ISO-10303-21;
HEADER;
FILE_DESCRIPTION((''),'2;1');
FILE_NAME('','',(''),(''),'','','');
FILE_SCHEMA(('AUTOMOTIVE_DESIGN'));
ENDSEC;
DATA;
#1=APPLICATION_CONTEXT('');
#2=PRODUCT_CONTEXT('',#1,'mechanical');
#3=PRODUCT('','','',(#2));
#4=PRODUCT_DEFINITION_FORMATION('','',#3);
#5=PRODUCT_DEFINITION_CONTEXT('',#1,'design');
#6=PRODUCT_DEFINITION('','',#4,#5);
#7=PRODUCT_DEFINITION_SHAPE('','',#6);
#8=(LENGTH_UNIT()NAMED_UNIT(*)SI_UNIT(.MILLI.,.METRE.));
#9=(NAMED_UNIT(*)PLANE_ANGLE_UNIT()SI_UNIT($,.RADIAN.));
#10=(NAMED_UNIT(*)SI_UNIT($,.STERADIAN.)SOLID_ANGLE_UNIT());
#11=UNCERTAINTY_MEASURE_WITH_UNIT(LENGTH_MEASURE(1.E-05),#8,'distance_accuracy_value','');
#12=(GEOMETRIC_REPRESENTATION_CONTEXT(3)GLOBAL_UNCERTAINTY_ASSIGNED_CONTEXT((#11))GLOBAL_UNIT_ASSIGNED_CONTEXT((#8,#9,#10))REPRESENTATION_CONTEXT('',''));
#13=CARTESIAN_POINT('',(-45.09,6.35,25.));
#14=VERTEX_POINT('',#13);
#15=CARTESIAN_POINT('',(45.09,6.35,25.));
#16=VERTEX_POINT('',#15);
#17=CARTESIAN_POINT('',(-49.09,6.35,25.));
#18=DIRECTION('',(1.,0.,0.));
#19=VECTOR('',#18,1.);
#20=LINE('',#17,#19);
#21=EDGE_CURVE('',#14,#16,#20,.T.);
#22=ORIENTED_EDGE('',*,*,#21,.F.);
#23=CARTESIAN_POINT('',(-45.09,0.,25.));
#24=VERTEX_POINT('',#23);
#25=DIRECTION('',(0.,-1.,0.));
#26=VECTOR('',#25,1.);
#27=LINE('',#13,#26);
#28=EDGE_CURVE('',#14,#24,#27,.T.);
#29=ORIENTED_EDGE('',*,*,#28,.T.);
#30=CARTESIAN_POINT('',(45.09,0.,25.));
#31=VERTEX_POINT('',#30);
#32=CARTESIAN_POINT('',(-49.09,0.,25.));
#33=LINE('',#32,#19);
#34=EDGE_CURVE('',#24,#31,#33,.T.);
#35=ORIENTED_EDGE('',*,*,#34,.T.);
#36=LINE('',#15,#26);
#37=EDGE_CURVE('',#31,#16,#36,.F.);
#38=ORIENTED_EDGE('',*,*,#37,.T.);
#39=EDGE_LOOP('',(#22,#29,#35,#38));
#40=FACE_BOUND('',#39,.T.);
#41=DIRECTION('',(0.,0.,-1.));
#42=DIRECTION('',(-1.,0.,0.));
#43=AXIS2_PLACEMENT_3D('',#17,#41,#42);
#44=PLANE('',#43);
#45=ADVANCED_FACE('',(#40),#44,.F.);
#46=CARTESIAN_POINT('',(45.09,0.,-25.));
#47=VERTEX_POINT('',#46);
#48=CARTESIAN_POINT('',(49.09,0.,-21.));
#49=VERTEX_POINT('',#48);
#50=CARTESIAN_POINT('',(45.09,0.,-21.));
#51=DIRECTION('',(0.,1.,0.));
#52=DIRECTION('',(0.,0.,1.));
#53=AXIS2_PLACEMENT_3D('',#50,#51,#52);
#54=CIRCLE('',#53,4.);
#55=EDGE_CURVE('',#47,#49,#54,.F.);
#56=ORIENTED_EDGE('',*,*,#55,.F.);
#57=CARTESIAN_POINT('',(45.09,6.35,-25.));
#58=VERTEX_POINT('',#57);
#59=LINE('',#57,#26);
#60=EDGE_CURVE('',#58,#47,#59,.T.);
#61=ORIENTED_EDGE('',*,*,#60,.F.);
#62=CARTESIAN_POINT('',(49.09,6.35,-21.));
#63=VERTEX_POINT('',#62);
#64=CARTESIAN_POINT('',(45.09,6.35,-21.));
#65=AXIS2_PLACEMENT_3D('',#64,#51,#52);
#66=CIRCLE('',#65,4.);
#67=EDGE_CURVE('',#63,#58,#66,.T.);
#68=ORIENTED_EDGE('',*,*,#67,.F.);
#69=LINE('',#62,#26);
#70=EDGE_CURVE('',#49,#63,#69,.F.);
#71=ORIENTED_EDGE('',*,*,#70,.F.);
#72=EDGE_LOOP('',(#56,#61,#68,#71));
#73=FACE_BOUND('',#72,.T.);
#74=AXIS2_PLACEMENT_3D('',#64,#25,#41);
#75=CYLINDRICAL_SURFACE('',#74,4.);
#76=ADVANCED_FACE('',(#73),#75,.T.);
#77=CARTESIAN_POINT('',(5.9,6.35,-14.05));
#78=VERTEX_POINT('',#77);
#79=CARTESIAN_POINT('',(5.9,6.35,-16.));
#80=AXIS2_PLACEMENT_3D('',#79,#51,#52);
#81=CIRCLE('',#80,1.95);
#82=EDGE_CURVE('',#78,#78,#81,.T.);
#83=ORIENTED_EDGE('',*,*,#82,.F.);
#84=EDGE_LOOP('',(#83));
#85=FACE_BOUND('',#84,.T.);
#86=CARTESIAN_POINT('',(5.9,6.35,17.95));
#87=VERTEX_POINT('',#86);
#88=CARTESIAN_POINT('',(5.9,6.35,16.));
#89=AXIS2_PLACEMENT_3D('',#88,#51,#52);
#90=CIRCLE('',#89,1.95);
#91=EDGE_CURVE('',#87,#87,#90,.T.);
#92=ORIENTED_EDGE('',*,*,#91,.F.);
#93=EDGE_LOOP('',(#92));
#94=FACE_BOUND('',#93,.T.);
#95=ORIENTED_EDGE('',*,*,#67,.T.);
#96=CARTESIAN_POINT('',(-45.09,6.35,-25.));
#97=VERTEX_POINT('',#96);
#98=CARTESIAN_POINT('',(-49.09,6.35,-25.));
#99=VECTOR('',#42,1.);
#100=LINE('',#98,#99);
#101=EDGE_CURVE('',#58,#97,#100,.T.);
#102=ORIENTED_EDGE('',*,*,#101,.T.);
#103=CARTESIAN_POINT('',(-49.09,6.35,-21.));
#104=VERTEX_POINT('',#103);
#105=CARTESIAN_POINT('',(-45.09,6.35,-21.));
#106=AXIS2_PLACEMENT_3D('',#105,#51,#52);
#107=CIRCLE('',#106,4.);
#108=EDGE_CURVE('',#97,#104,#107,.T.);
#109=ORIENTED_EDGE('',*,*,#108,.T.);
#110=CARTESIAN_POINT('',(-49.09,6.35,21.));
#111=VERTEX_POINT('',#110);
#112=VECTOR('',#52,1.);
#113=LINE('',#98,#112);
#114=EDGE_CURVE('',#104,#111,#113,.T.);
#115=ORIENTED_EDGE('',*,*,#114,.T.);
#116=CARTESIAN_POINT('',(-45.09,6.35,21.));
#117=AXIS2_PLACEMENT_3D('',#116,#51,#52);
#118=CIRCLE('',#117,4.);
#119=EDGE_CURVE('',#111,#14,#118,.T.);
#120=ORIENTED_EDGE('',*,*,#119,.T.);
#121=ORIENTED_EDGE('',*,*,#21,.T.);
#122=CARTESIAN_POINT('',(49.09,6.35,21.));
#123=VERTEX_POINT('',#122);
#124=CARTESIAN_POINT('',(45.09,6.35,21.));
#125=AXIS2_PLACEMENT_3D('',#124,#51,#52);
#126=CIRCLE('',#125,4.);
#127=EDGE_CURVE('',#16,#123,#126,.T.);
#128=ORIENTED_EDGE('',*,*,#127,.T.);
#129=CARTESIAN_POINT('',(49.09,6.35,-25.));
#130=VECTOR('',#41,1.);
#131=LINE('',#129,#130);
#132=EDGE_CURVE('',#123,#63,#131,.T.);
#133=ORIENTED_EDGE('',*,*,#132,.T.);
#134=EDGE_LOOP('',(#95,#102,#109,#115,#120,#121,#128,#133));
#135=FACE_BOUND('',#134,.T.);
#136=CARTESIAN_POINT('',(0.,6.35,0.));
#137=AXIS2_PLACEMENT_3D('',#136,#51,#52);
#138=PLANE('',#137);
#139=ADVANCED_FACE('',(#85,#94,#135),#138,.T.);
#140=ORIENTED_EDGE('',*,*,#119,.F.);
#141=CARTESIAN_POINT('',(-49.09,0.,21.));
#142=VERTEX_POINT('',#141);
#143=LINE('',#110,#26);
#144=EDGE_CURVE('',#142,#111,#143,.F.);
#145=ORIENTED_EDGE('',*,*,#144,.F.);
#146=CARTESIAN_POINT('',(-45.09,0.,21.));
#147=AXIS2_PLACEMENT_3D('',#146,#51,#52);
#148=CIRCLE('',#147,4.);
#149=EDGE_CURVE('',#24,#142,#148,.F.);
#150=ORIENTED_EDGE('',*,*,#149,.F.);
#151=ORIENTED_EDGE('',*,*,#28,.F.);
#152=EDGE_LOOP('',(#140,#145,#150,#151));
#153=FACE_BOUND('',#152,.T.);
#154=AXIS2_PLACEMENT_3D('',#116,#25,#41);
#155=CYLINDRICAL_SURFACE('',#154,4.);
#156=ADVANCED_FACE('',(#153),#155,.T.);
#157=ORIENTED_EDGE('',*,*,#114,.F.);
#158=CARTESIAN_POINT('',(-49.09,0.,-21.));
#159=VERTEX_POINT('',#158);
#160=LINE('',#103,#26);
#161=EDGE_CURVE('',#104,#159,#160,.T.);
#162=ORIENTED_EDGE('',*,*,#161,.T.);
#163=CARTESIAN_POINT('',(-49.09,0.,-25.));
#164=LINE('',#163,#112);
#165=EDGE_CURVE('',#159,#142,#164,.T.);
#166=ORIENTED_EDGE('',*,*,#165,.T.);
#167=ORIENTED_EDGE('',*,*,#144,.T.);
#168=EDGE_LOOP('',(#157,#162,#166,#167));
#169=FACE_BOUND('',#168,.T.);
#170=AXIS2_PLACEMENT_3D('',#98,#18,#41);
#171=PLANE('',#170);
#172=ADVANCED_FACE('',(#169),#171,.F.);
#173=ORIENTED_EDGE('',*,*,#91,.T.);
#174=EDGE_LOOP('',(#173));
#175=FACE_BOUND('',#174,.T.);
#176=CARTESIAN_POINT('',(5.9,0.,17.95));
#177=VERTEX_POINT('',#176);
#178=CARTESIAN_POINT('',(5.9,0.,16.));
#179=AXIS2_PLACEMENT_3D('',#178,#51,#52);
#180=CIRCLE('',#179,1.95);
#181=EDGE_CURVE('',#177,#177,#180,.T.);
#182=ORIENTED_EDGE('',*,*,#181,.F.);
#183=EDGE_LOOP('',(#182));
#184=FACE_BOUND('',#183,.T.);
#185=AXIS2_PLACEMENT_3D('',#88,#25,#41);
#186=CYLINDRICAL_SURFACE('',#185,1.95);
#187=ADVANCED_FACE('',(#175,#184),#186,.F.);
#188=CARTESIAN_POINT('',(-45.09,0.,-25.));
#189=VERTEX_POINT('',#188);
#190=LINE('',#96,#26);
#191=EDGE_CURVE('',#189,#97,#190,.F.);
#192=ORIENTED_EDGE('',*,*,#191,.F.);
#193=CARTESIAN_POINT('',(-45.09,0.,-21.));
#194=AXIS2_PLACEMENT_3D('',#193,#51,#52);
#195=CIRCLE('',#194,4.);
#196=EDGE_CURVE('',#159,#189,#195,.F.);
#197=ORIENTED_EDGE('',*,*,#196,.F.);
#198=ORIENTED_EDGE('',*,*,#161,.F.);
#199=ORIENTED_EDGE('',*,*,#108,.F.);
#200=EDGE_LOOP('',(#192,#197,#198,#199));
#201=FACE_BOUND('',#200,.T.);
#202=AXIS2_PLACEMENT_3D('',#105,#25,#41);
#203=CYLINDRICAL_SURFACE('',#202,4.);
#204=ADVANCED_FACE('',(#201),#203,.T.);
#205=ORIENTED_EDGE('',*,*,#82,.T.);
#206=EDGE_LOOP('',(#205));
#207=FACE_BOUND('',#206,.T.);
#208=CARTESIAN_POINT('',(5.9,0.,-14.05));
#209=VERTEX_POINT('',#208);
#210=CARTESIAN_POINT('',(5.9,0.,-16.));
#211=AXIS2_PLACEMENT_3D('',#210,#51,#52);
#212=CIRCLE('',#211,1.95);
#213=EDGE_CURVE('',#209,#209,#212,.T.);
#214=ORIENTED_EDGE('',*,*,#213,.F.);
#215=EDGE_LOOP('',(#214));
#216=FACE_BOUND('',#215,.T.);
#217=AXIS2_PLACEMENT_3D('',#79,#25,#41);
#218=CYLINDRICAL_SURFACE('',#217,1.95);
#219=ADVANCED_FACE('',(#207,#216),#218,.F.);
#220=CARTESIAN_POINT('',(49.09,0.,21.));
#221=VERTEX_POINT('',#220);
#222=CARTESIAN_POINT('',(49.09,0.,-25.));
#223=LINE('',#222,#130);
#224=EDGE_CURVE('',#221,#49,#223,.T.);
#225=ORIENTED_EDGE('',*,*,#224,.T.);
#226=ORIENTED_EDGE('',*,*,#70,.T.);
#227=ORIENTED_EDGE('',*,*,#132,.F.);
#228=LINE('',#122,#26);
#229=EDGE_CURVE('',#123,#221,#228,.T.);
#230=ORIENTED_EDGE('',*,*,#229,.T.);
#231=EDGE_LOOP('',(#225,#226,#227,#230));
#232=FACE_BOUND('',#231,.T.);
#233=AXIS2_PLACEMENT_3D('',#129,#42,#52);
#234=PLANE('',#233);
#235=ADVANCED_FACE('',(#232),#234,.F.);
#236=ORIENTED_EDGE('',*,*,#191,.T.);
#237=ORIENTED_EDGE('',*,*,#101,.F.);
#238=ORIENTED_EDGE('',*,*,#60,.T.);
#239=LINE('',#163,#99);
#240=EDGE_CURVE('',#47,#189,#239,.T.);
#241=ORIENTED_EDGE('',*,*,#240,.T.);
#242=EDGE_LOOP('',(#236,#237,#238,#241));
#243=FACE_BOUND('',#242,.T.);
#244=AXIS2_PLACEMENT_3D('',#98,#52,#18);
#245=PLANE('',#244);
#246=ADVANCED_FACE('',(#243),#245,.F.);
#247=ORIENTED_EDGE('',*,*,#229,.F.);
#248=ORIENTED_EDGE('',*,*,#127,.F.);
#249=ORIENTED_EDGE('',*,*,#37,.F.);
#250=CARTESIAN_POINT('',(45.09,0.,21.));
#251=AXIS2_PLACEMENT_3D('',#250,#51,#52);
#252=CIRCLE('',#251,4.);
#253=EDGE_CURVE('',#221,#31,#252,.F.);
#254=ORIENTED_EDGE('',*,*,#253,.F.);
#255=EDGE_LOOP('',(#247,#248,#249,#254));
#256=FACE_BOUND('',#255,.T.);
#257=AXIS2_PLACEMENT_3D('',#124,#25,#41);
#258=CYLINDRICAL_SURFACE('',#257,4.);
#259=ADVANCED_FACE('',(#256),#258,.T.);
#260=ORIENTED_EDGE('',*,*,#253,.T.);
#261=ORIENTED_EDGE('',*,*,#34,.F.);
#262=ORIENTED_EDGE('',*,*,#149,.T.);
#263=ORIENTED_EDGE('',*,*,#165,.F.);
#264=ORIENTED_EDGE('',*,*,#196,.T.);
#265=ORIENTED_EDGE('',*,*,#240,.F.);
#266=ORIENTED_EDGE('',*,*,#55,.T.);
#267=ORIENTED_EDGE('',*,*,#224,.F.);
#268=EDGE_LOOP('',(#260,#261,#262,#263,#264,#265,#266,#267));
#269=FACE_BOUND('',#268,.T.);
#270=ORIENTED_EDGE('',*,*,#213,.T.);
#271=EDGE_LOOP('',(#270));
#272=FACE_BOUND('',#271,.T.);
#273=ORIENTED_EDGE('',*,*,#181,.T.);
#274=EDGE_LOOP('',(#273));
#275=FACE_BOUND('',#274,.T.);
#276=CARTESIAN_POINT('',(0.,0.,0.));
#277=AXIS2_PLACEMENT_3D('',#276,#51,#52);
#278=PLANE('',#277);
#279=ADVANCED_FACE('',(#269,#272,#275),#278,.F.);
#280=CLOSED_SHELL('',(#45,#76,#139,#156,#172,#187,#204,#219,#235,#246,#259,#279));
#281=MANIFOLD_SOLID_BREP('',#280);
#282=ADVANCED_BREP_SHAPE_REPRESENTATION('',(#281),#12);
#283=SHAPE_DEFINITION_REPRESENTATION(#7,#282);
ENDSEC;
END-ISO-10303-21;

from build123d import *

# Parameters (mm, degrees)
SKETCH1_W           = 98.18
SKETCH1_H           = 50
SKETCH1_R           = 1.95
BOSS_EXTRUDE1_DEPTH = 6.35
FILLET1_R           = 4


with BuildPart() as part:
    # Sketch1 → Boss-Extrude1 (new body)
    with BuildSketch(Plane(origin=(0, 0, 0), x_dir=(1, 0, 0), z_dir=(0, 1, 0))):
        Rectangle(SKETCH1_W, SKETCH1_H)
        with Locations(Location((5.9, 16, 0), (0, 0, 270))):
            Circle(SKETCH1_R, mode=Mode.SUBTRACT)
        with Locations(Location((5.9, -16, 0), (0, 0, 270))):
            Circle(SKETCH1_R, mode=Mode.SUBTRACT)
    extrude(amount=BOSS_EXTRUDE1_DEPTH)

    # Fillet1
    fillet1_edges = [part.edges().sort_by_distance(p)[0] for p in [
        (49.09, 3.175, 25),
        (-49.09, 3.175, 25),
        (-49.09, 3.175, -25),
        (49.09, 3.175, -25),
    ]]
    fillet(fillet1_edges, radius=FILLET1_R)


solid = part.part
